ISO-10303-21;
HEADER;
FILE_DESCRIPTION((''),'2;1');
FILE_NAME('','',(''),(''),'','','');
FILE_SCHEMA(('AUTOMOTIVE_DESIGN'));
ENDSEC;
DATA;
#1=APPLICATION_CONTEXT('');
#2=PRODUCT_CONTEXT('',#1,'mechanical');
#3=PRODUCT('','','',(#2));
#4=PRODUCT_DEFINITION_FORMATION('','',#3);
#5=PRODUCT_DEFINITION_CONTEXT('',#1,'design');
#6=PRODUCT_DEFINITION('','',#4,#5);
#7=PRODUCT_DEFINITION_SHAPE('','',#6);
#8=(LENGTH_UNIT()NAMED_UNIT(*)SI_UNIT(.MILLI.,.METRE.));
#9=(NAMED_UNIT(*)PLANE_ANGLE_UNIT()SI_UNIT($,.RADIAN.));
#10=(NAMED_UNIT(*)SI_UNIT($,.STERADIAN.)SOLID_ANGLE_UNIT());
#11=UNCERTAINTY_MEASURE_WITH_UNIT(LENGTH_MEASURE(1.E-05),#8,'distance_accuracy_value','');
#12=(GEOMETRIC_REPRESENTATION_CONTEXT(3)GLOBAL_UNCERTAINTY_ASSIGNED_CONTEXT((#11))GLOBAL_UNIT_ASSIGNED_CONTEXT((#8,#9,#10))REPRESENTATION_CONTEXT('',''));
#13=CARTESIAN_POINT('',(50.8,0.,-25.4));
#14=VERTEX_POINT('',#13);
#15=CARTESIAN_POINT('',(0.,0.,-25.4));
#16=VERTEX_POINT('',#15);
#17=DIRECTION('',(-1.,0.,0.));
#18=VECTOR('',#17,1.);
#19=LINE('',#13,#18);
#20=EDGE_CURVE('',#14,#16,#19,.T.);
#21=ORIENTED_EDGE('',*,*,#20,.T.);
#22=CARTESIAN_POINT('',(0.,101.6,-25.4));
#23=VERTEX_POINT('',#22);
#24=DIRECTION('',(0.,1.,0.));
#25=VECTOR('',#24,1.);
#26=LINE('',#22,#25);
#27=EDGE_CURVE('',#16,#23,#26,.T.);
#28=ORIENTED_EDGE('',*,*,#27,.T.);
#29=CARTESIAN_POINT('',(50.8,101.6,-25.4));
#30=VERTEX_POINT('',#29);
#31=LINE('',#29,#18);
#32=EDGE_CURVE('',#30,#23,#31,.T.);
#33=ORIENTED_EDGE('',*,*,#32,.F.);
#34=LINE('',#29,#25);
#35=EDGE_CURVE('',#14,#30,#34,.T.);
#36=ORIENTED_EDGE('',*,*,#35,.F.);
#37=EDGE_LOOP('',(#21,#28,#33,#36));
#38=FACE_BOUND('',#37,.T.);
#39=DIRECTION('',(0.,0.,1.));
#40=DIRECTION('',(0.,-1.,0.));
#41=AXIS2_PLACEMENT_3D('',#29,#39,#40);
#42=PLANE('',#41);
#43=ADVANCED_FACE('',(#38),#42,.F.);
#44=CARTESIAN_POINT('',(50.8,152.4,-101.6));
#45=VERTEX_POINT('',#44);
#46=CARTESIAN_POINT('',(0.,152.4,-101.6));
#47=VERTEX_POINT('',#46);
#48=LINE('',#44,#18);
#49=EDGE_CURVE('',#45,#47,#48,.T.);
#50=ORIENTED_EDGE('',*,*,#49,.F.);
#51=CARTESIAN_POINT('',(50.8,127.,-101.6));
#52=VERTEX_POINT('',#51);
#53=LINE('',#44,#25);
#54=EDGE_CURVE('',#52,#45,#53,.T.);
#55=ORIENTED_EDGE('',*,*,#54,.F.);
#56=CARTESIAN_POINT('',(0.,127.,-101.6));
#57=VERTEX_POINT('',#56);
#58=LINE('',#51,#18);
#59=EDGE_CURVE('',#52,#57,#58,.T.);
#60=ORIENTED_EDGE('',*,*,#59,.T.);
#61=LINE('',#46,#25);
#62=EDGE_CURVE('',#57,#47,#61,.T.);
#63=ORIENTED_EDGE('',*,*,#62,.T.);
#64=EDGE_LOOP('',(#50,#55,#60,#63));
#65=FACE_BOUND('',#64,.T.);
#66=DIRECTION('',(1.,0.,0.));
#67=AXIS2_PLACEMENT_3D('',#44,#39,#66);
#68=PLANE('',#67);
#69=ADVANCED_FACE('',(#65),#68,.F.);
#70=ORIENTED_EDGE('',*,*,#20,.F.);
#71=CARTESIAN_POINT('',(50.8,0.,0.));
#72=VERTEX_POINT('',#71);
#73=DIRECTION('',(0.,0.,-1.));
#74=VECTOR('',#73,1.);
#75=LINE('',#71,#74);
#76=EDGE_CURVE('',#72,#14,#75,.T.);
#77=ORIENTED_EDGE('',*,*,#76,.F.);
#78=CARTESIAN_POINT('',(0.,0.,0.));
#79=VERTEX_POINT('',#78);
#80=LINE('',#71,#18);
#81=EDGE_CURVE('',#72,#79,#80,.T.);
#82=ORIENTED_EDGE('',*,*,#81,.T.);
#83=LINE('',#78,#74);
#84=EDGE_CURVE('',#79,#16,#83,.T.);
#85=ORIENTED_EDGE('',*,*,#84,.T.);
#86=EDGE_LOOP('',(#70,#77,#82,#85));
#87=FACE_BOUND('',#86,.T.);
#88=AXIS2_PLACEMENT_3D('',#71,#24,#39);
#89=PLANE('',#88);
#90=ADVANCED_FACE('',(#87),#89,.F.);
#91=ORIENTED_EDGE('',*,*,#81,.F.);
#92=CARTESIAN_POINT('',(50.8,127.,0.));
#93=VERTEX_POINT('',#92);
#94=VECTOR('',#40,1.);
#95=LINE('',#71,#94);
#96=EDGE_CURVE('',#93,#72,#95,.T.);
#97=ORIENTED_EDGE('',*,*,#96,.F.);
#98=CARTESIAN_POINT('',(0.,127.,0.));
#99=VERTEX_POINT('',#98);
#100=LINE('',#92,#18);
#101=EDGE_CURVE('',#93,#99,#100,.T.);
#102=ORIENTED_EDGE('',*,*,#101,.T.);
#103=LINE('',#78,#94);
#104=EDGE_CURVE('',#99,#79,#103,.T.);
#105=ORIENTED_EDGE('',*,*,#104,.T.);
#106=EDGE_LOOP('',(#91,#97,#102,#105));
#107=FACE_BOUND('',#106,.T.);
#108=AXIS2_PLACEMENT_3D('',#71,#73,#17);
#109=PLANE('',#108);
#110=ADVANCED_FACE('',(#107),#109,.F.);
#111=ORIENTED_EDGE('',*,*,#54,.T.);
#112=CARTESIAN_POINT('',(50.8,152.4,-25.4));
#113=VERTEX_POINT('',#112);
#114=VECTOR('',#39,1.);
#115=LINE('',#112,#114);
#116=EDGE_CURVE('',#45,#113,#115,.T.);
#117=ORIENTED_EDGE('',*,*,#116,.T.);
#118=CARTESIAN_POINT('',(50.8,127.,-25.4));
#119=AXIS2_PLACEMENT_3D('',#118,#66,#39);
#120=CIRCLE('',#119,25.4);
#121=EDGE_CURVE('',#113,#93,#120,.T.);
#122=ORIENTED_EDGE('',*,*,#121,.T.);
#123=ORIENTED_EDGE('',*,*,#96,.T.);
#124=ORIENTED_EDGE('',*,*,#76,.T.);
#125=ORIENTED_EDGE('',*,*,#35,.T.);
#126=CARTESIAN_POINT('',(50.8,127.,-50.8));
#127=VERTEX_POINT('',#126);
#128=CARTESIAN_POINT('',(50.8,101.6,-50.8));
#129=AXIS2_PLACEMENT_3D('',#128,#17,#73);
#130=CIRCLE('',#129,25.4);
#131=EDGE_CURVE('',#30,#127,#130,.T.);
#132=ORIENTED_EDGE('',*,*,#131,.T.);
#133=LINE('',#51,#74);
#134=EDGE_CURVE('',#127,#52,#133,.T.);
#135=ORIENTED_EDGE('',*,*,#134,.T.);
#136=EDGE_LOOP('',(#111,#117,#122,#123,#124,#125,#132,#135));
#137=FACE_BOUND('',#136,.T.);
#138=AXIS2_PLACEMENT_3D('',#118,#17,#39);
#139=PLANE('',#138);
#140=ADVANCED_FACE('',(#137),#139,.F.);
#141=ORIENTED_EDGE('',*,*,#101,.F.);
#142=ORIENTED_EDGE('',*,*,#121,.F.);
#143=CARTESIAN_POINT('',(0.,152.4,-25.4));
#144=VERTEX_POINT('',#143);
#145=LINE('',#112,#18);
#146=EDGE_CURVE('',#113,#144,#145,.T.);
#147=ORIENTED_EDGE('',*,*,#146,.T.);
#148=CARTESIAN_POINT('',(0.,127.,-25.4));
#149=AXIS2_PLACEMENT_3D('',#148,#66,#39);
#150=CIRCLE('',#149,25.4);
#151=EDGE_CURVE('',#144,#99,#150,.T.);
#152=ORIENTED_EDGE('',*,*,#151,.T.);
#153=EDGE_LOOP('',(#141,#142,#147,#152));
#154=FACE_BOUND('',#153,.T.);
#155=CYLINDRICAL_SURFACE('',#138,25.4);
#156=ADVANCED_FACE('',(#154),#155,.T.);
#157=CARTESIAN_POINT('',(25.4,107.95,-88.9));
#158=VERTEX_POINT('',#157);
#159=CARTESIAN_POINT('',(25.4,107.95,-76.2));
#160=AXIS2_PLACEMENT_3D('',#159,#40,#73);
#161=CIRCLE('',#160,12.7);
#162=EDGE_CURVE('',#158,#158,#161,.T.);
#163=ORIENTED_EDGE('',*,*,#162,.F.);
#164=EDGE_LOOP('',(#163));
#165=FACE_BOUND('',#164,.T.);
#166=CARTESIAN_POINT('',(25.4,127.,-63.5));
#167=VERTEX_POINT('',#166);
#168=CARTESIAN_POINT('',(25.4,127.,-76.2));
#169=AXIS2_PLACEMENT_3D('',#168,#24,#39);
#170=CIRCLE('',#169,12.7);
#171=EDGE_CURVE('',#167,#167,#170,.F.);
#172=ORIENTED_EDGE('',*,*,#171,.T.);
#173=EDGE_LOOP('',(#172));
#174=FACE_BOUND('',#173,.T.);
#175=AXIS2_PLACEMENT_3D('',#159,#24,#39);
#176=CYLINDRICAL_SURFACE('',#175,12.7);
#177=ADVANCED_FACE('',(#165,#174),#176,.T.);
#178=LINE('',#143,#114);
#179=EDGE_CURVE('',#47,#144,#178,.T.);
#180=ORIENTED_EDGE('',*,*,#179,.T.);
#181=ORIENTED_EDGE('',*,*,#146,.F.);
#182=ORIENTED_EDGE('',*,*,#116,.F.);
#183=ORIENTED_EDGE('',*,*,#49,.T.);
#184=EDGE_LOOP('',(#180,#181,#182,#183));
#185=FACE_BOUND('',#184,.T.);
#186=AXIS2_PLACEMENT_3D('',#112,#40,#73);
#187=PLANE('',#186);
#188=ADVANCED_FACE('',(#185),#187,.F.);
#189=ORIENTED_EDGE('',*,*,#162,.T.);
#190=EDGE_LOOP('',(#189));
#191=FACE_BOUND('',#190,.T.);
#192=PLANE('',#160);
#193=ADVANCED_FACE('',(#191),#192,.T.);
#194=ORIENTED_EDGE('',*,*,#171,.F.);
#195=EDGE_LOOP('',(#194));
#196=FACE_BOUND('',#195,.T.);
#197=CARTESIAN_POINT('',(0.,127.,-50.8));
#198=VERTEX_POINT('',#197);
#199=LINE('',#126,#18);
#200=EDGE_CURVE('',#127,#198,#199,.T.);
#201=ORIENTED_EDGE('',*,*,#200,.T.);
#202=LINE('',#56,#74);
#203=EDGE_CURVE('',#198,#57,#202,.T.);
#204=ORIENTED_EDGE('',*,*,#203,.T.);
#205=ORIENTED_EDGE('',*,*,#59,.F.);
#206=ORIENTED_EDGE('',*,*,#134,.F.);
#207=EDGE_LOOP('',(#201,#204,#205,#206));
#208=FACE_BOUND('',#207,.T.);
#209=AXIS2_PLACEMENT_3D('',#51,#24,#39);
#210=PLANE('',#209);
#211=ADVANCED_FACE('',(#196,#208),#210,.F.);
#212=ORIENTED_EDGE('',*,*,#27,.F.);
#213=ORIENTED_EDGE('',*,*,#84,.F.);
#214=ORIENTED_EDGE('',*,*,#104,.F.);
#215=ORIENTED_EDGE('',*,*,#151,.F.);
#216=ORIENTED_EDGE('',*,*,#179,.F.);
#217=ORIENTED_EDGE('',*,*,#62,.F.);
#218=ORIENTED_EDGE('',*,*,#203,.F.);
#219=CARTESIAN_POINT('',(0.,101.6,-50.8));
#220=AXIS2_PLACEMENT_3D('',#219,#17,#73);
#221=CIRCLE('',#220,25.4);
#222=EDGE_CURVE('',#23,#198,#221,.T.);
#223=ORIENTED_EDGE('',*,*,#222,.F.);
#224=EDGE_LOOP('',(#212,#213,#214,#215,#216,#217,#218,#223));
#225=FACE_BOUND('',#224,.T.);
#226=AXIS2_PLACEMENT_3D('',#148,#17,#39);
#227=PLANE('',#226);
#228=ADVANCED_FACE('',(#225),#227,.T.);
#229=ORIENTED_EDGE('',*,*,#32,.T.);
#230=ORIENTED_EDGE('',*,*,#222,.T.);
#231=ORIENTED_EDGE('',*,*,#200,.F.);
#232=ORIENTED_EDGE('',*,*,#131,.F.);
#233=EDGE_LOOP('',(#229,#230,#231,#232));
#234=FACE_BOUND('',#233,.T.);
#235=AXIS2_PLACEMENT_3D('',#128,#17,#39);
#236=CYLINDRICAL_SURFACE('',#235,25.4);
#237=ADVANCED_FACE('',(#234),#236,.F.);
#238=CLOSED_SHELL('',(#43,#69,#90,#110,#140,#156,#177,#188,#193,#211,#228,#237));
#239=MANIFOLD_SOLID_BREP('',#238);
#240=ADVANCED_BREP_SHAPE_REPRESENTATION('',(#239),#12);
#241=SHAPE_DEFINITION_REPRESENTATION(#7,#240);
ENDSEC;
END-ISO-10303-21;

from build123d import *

# Parameters (mm, degrees)
SALIENTE_EXTRUIR1_DEPTH = 50.8
CROQUIS2_R              = 12.7
SALIENTE_EXTRUIR2_DEPTH = 19.05


with BuildPart() as part:
    # Croquis1 → Saliente-Extruir1 (new body)
    with BuildSketch(Plane(origin=(0, 0, 0), x_dir=(0, 0, -1), z_dir=(1, 0, 0))):
        with BuildLine():
            Line((0, 0), (25.4, 0))
            Line((25.4, 0), (25.4, 101.6))
            ThreePointArc((25.4, 101.6), (32.839487758, 119.560512242), (50.8, 127))
            Line((50.8, 127), (101.6, 127))
            Line((101.6, 127), (101.6, 152.4))
            Line((101.6, 152.4), (25.4, 152.4))
            ThreePointArc((25.4, 152.4), (7.439487758, 144.960512242), (0, 127))
            Line((0, 127), (0, 0))
        make_face()
    extrude(amount=SALIENTE_EXTRUIR1_DEPTH)

    # Croquis2 → Saliente-Extruir2 (add)
    with BuildSketch(Plane.XZ.offset(-127)):
        with Locations((25.4, -76.2)):
            Circle(CROQUIS2_R)
    extrude(amount=SALIENTE_EXTRUIR2_DEPTH)


solid = part.part
